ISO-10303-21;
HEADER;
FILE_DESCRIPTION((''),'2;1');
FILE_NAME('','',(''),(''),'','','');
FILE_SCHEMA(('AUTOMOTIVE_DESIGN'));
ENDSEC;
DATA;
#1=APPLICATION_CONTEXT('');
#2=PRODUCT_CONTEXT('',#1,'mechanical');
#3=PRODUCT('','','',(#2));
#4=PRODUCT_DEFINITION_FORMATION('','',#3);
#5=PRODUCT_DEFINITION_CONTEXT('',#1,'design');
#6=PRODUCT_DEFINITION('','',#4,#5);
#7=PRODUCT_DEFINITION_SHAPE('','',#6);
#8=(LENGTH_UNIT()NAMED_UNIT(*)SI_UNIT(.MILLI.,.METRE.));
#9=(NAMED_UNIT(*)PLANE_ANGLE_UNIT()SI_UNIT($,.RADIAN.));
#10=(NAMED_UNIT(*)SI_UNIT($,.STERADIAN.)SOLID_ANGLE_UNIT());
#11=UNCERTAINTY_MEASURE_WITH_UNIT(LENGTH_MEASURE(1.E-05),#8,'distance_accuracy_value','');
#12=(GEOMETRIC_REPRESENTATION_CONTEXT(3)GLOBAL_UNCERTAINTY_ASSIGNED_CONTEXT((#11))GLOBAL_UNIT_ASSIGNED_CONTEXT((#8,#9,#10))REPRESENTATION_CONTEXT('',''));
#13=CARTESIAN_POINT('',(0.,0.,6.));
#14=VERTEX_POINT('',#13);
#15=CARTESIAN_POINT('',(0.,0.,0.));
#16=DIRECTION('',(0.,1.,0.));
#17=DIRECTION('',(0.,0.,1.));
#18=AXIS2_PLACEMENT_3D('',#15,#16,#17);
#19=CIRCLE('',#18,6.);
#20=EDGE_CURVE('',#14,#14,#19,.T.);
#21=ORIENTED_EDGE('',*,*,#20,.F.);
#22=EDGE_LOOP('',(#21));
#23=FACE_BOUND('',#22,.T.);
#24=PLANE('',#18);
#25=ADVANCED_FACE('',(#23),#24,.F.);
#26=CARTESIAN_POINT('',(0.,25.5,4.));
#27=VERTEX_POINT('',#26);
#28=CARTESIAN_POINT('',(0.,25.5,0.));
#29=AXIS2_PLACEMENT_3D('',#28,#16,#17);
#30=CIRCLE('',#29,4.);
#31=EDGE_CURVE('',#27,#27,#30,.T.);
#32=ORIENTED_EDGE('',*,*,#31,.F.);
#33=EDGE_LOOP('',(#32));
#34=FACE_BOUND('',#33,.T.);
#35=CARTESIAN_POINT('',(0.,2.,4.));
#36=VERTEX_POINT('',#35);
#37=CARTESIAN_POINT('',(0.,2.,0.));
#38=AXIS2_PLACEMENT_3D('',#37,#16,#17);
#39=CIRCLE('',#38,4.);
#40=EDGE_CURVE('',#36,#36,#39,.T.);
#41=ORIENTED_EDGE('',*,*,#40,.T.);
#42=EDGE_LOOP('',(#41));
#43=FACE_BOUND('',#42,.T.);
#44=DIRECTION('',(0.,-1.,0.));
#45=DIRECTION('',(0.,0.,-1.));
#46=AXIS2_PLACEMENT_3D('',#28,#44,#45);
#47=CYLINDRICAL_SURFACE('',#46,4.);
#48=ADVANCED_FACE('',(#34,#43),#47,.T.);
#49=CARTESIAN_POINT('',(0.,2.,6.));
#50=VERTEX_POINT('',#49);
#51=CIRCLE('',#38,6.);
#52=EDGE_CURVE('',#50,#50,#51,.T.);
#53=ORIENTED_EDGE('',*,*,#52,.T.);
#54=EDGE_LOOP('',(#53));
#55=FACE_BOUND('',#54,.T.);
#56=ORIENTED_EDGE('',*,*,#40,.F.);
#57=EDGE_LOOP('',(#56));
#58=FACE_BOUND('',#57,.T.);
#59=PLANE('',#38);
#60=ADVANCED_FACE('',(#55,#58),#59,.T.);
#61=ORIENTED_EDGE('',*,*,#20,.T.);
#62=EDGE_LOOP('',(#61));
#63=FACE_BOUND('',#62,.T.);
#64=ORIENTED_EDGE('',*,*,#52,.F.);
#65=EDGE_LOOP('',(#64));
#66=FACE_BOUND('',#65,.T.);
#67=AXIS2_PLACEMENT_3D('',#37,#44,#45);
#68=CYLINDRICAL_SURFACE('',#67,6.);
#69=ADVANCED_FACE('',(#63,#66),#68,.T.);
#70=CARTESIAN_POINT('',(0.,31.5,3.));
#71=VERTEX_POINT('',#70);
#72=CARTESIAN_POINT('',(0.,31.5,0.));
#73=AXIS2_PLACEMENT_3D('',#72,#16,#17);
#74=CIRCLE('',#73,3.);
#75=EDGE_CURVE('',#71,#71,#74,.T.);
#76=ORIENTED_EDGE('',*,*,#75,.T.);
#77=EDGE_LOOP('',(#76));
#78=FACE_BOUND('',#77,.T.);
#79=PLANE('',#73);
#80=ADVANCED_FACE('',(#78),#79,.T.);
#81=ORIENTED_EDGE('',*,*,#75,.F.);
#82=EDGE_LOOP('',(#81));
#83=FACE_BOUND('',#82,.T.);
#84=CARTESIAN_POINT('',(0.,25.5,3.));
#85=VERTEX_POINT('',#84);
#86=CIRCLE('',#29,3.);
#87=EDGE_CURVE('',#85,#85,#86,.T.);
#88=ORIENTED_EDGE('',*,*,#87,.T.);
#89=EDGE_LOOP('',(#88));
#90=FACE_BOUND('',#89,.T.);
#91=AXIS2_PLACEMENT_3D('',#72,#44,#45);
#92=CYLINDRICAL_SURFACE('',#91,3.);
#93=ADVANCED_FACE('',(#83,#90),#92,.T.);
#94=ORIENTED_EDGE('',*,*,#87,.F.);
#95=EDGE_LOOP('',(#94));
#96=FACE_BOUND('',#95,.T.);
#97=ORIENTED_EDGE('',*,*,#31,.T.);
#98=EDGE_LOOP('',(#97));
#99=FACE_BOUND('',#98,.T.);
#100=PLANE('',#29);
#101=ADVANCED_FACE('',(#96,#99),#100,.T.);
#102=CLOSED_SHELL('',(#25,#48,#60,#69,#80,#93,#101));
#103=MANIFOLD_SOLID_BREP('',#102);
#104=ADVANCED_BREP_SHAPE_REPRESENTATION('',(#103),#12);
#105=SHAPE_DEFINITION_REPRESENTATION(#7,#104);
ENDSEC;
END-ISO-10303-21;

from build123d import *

# Parameters (mm, degrees)
SKETCH_1_R      = 6
EXTRUDE_1_DEPTH = 2
SKETCH_2_R      = 4
EXTRUDE_2_DEPTH = 23.5
SKETCH_3_R      = 3
EXTRUDE_3_DEPTH = 6


with BuildPart() as part:
    # 草图1 → 凸台-拉伸1 (new body)
    with BuildSketch(Plane(origin=(0, 0, 0), x_dir=(1, 0, 0), z_dir=(0, 1, 0))):
        Circle(SKETCH_1_R)
    extrude(amount=EXTRUDE_1_DEPTH)

    # 草图2 → 凸台-拉伸2 (add)
    with BuildSketch(Plane(origin=(0, 2, 0), x_dir=(1, 0, 0), z_dir=(0, 1, 0))):
        Circle(SKETCH_2_R)
    extrude(amount=EXTRUDE_2_DEPTH)

    # 草图3 → 凸台-拉伸3 (add)
    with BuildSketch(Plane(origin=(0, 25.5, 0), x_dir=(1, 0, 0), z_dir=(0, 1, 0))):
        Circle(SKETCH_3_R)
    extrude(amount=EXTRUDE_3_DEPTH)


solid = part.part
